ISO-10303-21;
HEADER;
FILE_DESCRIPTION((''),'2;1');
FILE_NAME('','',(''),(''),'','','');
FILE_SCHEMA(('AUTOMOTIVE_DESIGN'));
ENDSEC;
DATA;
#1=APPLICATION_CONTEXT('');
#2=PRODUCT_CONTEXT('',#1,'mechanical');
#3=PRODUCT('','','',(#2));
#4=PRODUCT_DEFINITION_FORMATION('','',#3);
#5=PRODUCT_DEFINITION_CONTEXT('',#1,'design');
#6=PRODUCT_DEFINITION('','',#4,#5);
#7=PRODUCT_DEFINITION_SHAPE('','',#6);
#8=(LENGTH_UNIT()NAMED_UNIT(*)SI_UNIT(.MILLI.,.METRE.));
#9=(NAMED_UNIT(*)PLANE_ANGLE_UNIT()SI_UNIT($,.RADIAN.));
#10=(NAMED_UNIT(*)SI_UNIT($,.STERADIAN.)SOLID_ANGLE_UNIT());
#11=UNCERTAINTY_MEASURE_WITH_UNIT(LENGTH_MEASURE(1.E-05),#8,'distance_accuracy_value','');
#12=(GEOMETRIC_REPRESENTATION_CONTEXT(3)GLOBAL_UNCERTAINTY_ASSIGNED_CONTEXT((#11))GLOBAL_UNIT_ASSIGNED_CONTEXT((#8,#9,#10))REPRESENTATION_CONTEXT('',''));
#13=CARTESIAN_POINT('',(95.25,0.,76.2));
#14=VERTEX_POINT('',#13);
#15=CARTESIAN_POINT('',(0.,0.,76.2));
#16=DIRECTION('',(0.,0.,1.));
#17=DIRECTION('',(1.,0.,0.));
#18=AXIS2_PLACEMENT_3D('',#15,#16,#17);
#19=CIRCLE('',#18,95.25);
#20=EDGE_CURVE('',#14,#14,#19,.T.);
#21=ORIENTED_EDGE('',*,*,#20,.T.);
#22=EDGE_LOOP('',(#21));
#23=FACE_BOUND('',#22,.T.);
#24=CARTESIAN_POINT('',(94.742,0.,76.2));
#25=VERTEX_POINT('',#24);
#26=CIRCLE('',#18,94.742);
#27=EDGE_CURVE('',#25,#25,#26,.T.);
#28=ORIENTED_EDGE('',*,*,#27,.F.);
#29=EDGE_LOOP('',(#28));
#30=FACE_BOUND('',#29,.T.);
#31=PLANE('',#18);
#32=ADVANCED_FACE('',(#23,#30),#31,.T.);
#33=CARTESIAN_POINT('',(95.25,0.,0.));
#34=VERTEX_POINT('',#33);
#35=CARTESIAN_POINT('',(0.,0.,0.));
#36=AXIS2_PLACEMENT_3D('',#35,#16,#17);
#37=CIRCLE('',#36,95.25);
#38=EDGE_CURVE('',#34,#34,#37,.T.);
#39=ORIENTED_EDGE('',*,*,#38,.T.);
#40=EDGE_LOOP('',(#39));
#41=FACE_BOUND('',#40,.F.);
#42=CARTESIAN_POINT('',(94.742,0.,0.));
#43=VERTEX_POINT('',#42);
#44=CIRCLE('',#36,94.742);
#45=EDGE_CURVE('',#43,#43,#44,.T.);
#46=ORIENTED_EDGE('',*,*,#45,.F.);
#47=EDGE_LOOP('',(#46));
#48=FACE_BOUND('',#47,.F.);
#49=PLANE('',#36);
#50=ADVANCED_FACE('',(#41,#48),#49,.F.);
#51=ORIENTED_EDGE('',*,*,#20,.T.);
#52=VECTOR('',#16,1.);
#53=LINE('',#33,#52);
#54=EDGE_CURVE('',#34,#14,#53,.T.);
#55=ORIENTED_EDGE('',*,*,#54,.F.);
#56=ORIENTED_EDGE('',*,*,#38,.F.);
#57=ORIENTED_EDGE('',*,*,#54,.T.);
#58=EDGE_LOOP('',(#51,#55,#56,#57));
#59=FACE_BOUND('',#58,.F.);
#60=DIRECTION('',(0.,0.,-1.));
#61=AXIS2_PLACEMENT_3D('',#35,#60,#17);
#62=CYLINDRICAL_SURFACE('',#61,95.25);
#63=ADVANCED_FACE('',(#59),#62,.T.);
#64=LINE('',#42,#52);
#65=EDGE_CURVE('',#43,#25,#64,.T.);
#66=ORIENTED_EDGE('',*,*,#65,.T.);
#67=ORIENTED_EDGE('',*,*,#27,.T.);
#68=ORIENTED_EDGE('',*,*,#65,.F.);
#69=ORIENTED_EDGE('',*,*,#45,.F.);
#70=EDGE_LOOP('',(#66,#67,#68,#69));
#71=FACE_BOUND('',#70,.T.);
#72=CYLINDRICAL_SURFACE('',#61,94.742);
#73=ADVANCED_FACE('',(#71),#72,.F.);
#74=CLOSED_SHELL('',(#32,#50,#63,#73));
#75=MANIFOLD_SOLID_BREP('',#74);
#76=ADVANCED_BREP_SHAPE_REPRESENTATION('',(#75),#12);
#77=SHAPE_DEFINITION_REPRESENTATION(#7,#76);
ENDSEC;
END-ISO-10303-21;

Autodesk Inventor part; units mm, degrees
ref_plane "YZ Plane" through (0, 0, 0) normal (1, 0, 0) x (0, 1, 0)
ref_plane "XZ Plane" through (0, 0, 0) normal (0, 1, 0) x (-1, 0, 0)
sketch "Sketch1" plane through (0, 0, 0) normal (0, 0, 1) x (1, 0, 0)
  circle A0 centre (0, 0) radius 94.742
  circle A1 centre (0, 0) radius 95.25
  dimension "d0" = 0.508
  dimension "d1" = 190.5
extrude "Extrusion1" add sketch "Sketch1" along normal blind 76.2
ref_plane "Work Plane1" through (0, 0, 38.1) normal (0, 0, 1) x (1, 0, 0)
properties part number "Polycarbonate Track" material "PVC, Unplasticized"
